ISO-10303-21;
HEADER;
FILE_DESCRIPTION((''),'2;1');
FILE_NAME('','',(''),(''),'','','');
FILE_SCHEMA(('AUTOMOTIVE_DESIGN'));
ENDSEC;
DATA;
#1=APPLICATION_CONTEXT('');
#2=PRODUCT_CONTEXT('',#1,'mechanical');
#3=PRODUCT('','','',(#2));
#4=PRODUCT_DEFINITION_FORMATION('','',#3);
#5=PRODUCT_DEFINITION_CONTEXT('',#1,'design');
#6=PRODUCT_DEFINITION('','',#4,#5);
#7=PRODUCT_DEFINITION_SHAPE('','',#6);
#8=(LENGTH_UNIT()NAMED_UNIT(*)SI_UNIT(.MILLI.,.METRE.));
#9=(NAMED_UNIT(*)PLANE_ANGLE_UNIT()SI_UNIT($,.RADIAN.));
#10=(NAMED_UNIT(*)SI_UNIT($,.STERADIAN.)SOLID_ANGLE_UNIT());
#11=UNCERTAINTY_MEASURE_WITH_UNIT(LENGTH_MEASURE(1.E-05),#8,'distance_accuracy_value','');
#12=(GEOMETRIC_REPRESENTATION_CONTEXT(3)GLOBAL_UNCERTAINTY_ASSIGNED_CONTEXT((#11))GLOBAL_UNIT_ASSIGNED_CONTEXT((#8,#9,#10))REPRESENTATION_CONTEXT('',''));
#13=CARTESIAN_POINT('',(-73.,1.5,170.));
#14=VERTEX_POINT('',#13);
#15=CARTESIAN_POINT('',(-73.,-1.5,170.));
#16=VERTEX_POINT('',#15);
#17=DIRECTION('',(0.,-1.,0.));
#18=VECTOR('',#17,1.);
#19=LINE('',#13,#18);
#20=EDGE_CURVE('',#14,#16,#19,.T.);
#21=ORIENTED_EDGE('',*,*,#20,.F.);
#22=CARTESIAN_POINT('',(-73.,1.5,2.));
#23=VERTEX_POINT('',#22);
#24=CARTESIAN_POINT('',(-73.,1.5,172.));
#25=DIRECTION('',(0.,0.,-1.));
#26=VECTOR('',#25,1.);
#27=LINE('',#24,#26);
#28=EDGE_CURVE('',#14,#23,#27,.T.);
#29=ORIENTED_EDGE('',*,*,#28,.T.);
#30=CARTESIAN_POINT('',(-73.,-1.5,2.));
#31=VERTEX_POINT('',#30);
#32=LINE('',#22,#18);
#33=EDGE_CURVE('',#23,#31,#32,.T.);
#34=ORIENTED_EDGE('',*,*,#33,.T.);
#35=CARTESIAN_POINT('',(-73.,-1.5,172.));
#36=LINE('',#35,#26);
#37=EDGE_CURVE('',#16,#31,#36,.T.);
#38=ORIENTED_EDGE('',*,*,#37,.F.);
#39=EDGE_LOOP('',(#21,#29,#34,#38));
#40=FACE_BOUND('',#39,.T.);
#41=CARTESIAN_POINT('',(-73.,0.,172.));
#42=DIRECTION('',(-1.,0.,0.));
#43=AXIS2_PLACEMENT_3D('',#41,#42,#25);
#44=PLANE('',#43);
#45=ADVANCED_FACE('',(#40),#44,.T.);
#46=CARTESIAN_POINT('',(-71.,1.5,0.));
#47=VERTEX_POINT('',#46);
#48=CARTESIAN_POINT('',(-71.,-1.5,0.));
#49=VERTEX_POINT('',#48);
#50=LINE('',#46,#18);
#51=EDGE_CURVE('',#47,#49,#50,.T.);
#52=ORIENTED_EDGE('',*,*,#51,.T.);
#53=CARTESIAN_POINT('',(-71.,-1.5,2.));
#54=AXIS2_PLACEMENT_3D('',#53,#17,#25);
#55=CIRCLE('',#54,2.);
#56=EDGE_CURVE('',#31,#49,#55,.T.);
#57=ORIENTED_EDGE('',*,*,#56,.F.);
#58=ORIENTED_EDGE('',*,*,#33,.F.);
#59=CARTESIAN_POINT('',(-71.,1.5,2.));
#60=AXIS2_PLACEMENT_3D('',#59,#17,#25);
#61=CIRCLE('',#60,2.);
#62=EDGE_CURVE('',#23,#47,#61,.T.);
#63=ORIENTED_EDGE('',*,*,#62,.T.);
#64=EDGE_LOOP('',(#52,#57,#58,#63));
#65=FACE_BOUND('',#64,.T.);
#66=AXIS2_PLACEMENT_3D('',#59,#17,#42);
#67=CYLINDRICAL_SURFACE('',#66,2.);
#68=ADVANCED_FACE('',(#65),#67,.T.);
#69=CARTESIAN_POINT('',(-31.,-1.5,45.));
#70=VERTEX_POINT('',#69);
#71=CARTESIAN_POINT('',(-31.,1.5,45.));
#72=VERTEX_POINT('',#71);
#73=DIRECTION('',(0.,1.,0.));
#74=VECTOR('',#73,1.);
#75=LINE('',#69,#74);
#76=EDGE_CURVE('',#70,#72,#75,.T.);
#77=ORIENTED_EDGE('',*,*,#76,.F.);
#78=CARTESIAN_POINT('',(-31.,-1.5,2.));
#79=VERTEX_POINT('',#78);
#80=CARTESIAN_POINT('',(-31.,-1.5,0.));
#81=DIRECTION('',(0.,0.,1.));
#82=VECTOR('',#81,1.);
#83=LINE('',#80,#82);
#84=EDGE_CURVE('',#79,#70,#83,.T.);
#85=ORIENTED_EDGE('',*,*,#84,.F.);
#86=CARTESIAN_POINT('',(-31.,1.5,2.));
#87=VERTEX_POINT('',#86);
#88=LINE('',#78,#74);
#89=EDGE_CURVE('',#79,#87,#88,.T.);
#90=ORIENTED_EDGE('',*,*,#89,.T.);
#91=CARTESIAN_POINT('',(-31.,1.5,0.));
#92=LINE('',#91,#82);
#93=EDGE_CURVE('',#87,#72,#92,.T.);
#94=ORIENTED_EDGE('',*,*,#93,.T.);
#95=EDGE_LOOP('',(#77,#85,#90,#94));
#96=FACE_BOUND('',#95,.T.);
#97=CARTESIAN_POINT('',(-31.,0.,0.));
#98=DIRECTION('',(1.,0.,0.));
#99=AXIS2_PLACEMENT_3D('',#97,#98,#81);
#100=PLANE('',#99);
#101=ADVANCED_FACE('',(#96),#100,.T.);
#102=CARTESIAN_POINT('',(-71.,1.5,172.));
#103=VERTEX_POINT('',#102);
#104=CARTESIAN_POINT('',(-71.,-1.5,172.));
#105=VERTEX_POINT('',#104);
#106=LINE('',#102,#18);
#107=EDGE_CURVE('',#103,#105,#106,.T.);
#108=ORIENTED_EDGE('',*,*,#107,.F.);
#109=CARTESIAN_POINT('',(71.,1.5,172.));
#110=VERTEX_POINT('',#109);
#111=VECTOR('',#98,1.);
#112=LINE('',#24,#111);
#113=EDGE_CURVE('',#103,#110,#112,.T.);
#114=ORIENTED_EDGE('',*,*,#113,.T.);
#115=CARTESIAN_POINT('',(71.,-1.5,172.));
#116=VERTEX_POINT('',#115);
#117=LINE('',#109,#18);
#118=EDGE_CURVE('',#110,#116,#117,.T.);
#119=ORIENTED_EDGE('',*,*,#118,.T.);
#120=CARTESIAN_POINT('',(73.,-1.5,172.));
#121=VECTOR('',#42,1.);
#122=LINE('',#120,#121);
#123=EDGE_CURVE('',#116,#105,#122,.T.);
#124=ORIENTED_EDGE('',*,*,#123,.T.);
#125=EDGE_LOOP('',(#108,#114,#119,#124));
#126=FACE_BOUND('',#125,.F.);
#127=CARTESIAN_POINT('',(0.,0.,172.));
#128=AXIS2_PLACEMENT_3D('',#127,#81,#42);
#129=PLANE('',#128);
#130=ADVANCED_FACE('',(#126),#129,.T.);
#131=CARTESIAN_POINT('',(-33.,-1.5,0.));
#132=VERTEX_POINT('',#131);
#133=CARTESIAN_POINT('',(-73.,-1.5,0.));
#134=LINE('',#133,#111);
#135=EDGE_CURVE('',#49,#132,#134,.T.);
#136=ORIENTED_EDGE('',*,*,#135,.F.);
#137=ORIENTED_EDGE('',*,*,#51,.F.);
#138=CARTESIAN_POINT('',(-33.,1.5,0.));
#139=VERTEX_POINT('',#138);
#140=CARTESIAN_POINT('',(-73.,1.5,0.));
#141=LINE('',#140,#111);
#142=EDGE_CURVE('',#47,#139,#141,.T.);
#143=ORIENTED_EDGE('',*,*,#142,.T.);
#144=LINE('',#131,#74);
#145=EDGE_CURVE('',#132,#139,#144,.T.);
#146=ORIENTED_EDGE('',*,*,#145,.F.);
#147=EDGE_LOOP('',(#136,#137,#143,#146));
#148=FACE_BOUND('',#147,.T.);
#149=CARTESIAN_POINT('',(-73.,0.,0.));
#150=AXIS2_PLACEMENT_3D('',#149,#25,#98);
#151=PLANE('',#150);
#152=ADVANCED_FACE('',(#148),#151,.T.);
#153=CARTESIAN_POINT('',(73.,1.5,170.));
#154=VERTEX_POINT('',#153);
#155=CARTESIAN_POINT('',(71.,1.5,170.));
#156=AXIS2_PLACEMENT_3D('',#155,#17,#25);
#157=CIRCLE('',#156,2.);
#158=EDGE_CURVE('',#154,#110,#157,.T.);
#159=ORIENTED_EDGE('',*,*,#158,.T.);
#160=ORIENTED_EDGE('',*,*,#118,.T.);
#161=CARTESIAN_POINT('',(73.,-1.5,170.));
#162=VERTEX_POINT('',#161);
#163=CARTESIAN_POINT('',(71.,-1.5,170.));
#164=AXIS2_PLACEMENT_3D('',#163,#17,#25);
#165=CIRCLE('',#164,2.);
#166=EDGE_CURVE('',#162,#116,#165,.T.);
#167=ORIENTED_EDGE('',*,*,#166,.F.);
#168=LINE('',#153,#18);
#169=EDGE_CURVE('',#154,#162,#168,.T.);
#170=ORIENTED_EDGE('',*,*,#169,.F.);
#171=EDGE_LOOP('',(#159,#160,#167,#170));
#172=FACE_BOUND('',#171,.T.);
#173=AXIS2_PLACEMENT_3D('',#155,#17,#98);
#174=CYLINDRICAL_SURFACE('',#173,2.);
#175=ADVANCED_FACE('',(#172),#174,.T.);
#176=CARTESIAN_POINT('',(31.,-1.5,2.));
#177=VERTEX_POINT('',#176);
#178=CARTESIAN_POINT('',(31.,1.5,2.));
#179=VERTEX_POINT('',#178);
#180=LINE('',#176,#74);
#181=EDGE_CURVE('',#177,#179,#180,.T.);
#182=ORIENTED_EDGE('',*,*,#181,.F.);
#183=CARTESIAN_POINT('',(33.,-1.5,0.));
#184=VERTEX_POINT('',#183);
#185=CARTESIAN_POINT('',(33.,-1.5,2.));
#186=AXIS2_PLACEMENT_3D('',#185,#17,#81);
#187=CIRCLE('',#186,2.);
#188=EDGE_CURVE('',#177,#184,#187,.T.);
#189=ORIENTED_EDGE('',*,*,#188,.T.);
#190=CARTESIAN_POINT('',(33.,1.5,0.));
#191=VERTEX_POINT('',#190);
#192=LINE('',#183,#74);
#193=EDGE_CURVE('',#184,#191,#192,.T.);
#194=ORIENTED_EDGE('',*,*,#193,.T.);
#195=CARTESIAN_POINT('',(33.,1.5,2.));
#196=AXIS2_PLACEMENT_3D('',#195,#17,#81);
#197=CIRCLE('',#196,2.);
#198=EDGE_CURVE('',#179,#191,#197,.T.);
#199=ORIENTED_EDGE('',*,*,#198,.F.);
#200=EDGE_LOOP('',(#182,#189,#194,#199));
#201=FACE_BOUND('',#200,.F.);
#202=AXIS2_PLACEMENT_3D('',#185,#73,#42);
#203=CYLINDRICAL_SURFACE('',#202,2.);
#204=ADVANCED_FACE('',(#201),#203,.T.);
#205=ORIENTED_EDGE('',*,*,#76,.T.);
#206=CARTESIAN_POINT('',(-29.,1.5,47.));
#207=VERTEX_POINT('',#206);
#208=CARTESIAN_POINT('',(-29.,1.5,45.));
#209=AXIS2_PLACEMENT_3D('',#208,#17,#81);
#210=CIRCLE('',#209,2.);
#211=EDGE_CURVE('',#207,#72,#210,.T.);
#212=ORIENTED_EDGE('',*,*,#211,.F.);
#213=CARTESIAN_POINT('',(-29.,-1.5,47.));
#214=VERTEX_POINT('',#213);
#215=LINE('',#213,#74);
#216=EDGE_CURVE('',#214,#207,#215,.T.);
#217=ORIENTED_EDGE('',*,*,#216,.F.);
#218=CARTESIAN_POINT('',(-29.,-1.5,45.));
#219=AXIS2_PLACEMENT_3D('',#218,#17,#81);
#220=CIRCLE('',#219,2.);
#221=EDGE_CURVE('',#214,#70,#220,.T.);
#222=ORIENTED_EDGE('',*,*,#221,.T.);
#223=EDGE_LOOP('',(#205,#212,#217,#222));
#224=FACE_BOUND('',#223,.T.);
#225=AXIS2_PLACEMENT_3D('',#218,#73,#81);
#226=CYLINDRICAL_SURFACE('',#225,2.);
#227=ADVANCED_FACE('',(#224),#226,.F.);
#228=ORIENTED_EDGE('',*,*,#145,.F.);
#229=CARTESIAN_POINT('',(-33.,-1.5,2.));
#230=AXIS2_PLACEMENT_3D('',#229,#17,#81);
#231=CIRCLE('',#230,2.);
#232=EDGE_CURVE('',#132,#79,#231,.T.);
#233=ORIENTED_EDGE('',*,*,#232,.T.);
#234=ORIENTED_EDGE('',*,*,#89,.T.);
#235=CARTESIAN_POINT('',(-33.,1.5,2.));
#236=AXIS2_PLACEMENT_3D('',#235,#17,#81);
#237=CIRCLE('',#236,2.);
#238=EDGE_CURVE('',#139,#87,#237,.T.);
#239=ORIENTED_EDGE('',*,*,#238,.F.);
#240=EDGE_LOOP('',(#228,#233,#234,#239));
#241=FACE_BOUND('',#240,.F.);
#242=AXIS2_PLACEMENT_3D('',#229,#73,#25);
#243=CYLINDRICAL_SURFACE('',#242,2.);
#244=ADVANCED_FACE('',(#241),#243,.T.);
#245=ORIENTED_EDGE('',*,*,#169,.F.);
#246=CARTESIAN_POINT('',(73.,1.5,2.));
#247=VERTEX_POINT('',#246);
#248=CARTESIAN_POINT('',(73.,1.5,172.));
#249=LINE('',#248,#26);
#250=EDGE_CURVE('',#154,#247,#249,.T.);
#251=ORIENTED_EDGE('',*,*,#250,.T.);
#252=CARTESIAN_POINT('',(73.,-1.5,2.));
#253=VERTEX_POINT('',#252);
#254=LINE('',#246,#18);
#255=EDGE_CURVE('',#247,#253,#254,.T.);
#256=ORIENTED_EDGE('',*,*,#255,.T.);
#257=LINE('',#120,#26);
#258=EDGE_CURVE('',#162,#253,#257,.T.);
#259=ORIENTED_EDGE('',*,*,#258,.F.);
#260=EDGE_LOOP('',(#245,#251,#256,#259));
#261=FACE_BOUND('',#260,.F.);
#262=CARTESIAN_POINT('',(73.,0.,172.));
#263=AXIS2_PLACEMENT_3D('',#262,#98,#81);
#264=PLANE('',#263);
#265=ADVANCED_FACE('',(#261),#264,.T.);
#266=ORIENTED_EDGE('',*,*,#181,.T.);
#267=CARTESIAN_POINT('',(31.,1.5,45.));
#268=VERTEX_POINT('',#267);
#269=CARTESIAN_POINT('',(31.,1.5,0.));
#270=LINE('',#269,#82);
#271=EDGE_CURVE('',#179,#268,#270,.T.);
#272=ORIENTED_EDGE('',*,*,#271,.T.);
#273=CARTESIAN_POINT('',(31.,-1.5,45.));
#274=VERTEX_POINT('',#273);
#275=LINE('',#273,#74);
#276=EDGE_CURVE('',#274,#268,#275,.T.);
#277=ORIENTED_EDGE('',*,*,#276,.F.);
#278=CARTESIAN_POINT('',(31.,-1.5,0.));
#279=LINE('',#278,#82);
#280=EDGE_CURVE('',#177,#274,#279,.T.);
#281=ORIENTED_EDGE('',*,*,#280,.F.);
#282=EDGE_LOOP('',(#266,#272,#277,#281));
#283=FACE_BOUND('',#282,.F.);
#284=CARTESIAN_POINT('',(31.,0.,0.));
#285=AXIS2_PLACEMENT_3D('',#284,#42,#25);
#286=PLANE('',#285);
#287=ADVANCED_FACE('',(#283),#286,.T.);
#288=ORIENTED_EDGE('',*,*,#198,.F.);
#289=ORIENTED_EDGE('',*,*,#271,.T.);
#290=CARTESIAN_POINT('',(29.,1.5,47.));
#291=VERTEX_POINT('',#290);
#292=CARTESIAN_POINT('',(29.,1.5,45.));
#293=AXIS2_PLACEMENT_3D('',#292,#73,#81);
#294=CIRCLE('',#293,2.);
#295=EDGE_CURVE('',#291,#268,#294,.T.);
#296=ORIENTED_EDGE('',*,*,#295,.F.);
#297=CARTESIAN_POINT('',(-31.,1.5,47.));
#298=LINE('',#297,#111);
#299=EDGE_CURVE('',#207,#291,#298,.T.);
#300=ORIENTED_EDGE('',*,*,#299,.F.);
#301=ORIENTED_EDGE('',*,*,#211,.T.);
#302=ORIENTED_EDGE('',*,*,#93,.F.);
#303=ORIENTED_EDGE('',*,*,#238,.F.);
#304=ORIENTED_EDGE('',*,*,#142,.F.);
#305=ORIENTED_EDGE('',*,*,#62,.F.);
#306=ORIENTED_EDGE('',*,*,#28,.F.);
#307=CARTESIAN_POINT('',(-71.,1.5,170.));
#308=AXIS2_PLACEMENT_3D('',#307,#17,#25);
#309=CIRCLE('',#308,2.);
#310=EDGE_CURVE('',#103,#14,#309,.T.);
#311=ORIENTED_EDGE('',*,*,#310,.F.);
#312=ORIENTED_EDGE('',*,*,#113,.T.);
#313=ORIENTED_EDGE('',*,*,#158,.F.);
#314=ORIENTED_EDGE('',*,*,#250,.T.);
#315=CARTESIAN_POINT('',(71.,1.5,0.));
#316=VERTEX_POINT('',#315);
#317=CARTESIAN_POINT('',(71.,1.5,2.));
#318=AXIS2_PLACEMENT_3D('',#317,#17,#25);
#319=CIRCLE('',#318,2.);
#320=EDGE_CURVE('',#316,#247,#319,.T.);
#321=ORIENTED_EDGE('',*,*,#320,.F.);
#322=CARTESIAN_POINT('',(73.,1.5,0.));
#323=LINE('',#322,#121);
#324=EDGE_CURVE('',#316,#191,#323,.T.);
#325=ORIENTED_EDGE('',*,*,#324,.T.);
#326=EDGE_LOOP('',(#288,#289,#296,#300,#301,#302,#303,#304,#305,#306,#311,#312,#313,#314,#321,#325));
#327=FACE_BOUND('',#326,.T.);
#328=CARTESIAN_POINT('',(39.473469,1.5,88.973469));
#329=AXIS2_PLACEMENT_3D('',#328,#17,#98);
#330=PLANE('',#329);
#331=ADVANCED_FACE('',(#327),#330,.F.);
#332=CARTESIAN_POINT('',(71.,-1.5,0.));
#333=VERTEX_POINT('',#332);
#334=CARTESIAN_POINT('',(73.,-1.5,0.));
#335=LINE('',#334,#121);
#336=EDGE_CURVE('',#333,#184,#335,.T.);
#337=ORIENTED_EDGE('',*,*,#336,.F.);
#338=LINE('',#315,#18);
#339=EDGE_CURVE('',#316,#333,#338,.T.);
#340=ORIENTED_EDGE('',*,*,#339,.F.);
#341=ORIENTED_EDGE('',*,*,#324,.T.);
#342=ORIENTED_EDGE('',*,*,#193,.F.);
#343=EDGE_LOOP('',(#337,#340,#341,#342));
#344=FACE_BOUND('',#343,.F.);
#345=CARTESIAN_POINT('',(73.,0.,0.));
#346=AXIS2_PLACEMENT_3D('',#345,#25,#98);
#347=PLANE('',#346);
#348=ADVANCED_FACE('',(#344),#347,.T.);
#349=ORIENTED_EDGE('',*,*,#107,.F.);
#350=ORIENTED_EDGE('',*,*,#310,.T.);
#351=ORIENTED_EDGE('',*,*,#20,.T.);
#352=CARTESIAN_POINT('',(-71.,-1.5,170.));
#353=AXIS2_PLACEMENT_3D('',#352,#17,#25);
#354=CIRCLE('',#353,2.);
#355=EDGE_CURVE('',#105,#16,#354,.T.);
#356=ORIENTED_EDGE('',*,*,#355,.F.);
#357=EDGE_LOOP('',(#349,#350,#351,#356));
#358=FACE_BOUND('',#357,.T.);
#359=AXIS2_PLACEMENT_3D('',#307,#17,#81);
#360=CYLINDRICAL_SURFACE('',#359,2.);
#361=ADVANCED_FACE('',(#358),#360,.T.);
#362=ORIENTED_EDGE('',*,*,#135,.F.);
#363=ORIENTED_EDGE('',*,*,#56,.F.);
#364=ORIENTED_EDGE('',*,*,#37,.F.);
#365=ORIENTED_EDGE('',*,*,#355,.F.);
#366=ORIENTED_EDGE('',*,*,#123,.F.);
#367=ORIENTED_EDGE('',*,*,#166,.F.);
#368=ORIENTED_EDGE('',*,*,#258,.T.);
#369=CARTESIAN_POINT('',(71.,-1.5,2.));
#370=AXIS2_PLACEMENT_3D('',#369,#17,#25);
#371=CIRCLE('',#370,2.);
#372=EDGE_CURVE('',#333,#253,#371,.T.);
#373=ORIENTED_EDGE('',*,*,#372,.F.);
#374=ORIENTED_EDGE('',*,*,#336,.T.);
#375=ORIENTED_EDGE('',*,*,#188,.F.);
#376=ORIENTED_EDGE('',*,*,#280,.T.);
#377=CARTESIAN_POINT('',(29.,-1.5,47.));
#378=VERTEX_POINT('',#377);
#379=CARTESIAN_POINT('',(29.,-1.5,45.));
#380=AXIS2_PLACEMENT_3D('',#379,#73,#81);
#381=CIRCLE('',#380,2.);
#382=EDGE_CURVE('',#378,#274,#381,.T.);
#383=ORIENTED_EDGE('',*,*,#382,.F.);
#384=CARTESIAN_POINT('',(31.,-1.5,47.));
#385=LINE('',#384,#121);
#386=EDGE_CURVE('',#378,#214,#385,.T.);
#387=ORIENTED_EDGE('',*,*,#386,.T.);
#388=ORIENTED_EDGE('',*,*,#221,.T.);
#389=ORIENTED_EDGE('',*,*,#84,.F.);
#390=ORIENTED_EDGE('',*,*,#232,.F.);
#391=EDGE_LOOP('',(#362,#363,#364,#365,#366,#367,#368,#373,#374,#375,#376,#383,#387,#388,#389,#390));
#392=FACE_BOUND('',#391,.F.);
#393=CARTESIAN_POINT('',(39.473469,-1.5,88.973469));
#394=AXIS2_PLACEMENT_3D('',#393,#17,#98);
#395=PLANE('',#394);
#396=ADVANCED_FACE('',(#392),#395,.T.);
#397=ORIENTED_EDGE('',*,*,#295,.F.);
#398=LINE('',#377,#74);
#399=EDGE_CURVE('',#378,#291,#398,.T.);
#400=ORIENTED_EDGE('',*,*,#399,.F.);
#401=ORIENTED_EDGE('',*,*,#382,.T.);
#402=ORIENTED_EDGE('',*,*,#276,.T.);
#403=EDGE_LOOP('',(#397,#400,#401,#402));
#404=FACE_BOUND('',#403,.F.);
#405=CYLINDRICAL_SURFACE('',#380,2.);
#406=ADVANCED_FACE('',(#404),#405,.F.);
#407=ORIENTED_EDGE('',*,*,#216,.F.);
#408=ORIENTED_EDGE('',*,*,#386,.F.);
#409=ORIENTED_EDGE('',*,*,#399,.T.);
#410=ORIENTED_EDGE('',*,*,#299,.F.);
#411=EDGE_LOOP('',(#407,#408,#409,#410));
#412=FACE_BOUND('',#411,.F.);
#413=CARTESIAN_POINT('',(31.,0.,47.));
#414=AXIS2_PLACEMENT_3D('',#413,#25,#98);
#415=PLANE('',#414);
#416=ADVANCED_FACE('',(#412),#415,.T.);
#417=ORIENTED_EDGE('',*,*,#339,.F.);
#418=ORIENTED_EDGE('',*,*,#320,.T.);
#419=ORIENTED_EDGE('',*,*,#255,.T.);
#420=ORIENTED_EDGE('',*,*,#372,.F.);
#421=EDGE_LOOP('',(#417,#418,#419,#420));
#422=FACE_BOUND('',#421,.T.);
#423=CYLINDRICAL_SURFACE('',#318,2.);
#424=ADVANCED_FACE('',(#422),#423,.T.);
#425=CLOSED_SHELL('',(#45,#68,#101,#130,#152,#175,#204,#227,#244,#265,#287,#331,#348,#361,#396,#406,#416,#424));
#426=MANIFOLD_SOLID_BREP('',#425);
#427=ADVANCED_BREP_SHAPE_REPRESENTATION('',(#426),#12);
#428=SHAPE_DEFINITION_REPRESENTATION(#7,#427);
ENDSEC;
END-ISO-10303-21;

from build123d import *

# Parameters (mm, degrees)
F1_DEPTH = 1.5
F3_R     = 2


with BuildPart() as f1:
    # F0 (on Front) → F1 (new body, symmetric)
    with BuildSketch(Plane.XZ):
        Polygon((0, 47), (0, 172), (-73, 172), (-73, 0), (-31, 0), (-31, 47), align=None)
    extrude(amount=F1_DEPTH, both=True)

    # F2: F1 across plane


with BuildPart() as f1_1:
    add(f1.part)
    add(f1.part.mirror(Plane.YZ))

    # F3
    f3_edges = [f1_1.edges().sort_by_distance(p)[0] for p in [
        (73, 0, 172),
        (-73, 0, 172),
        (-31, 0, 0),
        (-73, 0, 0),
        (-31, 0, 47),
        (31, 0, 0),
        (31, 0, 47),
        (73, 0, 0),
    ]]
    fillet(f3_edges, radius=F3_R)


solid = f1_1.part
